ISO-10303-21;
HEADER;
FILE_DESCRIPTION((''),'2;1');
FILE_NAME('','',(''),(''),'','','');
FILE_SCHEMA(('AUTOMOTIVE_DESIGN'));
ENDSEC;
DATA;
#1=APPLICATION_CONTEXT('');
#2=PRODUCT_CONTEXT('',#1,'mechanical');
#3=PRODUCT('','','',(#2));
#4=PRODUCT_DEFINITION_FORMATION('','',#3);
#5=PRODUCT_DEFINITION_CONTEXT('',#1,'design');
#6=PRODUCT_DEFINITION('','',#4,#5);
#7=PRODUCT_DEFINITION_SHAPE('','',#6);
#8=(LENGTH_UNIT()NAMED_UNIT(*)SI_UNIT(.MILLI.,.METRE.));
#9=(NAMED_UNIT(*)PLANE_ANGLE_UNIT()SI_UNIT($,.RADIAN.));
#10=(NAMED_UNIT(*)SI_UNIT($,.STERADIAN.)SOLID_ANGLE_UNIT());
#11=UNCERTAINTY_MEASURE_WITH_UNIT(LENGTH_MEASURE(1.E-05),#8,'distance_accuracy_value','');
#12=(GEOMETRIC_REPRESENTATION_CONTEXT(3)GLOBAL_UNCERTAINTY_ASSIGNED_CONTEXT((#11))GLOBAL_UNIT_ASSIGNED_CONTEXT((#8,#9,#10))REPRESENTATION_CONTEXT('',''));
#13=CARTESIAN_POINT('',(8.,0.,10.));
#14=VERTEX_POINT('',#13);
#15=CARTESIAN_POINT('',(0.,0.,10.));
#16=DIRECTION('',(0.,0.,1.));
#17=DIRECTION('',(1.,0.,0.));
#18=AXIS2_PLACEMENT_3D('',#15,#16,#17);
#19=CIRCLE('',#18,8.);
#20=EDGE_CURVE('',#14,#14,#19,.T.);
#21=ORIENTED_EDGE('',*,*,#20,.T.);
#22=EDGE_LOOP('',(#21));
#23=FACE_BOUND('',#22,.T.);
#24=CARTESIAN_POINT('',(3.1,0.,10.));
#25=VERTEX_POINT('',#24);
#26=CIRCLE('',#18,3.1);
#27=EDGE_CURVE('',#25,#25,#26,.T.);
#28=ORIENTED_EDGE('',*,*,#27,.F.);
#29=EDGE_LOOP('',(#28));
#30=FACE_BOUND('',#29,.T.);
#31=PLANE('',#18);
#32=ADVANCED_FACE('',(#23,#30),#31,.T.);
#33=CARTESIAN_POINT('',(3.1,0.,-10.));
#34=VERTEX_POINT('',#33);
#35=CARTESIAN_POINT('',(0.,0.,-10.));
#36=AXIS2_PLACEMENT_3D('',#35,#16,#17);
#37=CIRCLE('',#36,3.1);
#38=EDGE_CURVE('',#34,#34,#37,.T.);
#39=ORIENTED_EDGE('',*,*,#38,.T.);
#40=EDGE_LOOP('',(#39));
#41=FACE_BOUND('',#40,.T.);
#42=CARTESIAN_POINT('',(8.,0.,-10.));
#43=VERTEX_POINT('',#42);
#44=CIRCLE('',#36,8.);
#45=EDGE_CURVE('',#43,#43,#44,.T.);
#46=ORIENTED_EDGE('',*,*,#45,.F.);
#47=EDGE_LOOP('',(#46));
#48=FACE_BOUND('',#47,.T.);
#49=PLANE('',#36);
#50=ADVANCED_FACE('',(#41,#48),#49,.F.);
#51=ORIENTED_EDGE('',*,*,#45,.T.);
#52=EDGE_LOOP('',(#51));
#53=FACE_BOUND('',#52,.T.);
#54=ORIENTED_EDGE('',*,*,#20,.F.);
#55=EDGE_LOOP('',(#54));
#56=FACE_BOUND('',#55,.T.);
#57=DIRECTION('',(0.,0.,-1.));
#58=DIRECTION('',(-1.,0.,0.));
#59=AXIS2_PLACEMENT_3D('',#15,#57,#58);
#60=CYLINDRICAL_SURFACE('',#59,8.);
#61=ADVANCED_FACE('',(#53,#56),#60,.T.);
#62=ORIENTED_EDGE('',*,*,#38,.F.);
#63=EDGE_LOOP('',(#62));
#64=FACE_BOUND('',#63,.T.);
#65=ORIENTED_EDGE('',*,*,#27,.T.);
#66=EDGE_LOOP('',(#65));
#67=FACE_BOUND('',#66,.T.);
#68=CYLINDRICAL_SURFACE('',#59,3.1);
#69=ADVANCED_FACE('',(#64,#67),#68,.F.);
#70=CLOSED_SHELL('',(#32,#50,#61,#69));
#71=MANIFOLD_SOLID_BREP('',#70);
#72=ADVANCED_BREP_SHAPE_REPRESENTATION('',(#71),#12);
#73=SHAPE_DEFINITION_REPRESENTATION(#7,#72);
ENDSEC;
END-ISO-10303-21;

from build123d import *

# Parameters (mm, degrees)
SKETCH_1_R      = 8
SKETCH_1_R_2    = 3.1
EXTRUDE_1_DEPTH = 10


with BuildPart() as part:
    # 草图1 → 凸台-拉伸1 (new body, symmetric)
    with BuildSketch(Plane.XY):
        Circle(SKETCH_1_R)
        Circle(SKETCH_1_R_2, mode=Mode.SUBTRACT)
    extrude(amount=EXTRUDE_1_DEPTH, both=True)


solid = part.part
